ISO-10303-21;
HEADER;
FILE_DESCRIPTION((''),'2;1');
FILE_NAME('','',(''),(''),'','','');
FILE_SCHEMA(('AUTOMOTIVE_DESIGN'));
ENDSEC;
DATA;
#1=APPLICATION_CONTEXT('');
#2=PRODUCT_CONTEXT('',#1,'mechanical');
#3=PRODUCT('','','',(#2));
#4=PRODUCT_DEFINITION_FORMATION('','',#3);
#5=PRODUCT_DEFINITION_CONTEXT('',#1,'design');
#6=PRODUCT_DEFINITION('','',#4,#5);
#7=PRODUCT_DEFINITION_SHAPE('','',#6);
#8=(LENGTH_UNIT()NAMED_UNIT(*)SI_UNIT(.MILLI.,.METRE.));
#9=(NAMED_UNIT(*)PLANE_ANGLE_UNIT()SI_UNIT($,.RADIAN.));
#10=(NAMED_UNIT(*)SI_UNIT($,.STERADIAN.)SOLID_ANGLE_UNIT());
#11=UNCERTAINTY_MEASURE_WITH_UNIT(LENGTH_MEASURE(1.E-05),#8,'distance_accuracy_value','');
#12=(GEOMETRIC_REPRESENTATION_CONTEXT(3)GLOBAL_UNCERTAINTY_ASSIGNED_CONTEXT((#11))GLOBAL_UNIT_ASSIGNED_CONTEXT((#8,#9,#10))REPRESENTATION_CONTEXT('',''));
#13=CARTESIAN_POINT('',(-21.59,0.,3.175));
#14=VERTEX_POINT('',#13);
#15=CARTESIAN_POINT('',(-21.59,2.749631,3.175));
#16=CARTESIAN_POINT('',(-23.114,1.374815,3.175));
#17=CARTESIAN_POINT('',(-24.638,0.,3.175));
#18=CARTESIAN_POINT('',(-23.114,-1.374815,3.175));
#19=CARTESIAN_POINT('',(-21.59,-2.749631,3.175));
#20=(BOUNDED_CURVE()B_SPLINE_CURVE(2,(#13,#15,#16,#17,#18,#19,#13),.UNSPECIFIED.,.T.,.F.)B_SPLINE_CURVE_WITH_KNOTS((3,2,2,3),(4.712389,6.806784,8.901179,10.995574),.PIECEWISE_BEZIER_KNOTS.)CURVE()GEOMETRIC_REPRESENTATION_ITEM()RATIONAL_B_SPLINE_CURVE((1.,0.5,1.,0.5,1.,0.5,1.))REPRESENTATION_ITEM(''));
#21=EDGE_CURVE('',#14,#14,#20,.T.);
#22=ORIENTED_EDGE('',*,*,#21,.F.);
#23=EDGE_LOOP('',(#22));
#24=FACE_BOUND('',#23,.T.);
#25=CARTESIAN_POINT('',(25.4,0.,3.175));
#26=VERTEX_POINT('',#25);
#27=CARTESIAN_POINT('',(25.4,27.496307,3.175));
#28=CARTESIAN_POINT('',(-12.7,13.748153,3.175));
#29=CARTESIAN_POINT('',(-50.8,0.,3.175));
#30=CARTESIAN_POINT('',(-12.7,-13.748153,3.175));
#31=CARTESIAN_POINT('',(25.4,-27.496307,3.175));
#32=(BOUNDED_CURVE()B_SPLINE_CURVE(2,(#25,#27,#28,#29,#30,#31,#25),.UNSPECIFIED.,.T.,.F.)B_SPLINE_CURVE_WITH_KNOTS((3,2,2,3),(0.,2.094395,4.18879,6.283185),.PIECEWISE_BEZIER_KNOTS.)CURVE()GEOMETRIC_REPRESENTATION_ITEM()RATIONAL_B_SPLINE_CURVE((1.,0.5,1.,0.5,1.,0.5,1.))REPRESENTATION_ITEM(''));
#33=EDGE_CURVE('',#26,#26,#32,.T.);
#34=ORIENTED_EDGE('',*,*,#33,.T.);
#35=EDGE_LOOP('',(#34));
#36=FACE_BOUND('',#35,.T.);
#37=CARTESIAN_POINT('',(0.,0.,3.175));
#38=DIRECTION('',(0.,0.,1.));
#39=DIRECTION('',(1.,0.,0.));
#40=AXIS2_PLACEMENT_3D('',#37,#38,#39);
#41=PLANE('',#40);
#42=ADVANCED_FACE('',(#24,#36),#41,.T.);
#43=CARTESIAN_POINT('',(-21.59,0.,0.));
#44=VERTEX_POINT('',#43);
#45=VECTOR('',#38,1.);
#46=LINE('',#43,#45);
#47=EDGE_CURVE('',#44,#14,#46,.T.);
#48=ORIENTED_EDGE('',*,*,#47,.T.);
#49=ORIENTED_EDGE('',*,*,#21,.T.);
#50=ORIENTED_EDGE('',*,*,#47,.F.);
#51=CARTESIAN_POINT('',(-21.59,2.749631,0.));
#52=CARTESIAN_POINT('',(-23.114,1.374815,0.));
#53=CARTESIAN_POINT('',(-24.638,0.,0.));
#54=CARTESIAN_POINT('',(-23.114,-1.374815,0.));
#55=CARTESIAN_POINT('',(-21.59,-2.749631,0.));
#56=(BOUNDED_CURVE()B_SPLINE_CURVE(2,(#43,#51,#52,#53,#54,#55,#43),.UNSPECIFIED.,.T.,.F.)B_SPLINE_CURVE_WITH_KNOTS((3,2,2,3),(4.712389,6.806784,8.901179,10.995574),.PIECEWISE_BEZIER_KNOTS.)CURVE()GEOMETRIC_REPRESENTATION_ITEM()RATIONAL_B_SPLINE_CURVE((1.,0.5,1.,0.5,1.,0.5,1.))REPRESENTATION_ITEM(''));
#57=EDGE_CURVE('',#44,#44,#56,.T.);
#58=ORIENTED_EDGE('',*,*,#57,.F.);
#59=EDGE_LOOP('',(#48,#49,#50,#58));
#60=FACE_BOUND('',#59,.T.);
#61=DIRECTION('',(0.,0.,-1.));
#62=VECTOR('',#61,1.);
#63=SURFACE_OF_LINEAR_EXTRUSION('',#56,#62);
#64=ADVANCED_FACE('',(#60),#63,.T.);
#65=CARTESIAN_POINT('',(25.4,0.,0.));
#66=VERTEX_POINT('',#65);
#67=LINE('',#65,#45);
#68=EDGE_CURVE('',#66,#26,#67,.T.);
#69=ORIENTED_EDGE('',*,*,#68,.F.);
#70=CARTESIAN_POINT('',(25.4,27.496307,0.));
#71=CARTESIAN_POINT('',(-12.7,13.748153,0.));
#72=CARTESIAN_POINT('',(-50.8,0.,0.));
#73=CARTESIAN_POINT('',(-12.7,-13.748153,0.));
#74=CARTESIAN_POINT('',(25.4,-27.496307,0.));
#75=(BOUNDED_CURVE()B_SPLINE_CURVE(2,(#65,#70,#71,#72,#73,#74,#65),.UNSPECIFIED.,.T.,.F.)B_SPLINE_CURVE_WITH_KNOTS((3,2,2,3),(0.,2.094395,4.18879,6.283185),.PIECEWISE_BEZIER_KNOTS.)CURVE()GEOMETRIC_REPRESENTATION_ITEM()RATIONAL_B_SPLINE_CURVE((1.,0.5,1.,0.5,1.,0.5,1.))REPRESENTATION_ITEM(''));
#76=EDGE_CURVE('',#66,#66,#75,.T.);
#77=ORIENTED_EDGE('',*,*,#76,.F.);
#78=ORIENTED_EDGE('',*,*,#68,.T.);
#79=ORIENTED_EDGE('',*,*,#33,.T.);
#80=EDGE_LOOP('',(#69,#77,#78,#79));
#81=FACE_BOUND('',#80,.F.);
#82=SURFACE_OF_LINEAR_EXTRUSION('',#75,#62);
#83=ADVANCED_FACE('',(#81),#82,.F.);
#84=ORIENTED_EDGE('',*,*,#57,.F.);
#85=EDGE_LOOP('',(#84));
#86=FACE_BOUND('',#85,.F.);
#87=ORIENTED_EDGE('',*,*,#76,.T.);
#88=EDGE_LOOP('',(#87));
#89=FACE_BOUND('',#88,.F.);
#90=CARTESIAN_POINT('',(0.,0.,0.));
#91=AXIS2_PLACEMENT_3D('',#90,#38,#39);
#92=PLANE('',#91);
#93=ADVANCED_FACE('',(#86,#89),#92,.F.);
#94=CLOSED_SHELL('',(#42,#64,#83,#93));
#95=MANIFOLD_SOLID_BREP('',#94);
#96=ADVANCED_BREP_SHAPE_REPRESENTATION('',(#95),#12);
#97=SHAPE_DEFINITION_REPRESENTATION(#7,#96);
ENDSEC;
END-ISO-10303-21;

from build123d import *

# Parameters (mm, degrees)
F1_DEPTH = 3.175


with BuildPart() as f1:
    # F0 (on Top) → F1 (new body)
    with BuildSketch(Plane.XY):
        with BuildLine():
            add(Edge.make_bspline(
                [(25.4, 0), (25.4, 27.496307), (-12.7, 13.748153), (-50.8, 0), (-12.7, -13.748153), (25.4, -27.496307), (25.4, 0)],
                knots=[0, 0, 0, 2.094395, 2.094395, 4.18879, 4.18879, 6.283185, 6.283185, 6.283185], degree=2, weights=[1, 0.5, 1, 0.5, 1, 0.5, 1]))
        make_face()
        with BuildLine():
            add(Edge.make_bspline(
                [(-21.59, 0), (-21.59, 2.749631), (-23.114, 1.374815), (-24.638, 0), (-23.114, -1.374815), (-21.59, -2.749631), (-21.59, 0)],
                knots=[4.712389, 4.712389, 4.712389, 6.806784, 6.806784, 8.901179, 8.901179, 10.995574, 10.995574, 10.995574], degree=2, weights=[1, 0.5, 1, 0.5, 1, 0.5, 1]))
        make_face(mode=Mode.SUBTRACT)
    extrude(amount=F1_DEPTH)


solid = f1.part
